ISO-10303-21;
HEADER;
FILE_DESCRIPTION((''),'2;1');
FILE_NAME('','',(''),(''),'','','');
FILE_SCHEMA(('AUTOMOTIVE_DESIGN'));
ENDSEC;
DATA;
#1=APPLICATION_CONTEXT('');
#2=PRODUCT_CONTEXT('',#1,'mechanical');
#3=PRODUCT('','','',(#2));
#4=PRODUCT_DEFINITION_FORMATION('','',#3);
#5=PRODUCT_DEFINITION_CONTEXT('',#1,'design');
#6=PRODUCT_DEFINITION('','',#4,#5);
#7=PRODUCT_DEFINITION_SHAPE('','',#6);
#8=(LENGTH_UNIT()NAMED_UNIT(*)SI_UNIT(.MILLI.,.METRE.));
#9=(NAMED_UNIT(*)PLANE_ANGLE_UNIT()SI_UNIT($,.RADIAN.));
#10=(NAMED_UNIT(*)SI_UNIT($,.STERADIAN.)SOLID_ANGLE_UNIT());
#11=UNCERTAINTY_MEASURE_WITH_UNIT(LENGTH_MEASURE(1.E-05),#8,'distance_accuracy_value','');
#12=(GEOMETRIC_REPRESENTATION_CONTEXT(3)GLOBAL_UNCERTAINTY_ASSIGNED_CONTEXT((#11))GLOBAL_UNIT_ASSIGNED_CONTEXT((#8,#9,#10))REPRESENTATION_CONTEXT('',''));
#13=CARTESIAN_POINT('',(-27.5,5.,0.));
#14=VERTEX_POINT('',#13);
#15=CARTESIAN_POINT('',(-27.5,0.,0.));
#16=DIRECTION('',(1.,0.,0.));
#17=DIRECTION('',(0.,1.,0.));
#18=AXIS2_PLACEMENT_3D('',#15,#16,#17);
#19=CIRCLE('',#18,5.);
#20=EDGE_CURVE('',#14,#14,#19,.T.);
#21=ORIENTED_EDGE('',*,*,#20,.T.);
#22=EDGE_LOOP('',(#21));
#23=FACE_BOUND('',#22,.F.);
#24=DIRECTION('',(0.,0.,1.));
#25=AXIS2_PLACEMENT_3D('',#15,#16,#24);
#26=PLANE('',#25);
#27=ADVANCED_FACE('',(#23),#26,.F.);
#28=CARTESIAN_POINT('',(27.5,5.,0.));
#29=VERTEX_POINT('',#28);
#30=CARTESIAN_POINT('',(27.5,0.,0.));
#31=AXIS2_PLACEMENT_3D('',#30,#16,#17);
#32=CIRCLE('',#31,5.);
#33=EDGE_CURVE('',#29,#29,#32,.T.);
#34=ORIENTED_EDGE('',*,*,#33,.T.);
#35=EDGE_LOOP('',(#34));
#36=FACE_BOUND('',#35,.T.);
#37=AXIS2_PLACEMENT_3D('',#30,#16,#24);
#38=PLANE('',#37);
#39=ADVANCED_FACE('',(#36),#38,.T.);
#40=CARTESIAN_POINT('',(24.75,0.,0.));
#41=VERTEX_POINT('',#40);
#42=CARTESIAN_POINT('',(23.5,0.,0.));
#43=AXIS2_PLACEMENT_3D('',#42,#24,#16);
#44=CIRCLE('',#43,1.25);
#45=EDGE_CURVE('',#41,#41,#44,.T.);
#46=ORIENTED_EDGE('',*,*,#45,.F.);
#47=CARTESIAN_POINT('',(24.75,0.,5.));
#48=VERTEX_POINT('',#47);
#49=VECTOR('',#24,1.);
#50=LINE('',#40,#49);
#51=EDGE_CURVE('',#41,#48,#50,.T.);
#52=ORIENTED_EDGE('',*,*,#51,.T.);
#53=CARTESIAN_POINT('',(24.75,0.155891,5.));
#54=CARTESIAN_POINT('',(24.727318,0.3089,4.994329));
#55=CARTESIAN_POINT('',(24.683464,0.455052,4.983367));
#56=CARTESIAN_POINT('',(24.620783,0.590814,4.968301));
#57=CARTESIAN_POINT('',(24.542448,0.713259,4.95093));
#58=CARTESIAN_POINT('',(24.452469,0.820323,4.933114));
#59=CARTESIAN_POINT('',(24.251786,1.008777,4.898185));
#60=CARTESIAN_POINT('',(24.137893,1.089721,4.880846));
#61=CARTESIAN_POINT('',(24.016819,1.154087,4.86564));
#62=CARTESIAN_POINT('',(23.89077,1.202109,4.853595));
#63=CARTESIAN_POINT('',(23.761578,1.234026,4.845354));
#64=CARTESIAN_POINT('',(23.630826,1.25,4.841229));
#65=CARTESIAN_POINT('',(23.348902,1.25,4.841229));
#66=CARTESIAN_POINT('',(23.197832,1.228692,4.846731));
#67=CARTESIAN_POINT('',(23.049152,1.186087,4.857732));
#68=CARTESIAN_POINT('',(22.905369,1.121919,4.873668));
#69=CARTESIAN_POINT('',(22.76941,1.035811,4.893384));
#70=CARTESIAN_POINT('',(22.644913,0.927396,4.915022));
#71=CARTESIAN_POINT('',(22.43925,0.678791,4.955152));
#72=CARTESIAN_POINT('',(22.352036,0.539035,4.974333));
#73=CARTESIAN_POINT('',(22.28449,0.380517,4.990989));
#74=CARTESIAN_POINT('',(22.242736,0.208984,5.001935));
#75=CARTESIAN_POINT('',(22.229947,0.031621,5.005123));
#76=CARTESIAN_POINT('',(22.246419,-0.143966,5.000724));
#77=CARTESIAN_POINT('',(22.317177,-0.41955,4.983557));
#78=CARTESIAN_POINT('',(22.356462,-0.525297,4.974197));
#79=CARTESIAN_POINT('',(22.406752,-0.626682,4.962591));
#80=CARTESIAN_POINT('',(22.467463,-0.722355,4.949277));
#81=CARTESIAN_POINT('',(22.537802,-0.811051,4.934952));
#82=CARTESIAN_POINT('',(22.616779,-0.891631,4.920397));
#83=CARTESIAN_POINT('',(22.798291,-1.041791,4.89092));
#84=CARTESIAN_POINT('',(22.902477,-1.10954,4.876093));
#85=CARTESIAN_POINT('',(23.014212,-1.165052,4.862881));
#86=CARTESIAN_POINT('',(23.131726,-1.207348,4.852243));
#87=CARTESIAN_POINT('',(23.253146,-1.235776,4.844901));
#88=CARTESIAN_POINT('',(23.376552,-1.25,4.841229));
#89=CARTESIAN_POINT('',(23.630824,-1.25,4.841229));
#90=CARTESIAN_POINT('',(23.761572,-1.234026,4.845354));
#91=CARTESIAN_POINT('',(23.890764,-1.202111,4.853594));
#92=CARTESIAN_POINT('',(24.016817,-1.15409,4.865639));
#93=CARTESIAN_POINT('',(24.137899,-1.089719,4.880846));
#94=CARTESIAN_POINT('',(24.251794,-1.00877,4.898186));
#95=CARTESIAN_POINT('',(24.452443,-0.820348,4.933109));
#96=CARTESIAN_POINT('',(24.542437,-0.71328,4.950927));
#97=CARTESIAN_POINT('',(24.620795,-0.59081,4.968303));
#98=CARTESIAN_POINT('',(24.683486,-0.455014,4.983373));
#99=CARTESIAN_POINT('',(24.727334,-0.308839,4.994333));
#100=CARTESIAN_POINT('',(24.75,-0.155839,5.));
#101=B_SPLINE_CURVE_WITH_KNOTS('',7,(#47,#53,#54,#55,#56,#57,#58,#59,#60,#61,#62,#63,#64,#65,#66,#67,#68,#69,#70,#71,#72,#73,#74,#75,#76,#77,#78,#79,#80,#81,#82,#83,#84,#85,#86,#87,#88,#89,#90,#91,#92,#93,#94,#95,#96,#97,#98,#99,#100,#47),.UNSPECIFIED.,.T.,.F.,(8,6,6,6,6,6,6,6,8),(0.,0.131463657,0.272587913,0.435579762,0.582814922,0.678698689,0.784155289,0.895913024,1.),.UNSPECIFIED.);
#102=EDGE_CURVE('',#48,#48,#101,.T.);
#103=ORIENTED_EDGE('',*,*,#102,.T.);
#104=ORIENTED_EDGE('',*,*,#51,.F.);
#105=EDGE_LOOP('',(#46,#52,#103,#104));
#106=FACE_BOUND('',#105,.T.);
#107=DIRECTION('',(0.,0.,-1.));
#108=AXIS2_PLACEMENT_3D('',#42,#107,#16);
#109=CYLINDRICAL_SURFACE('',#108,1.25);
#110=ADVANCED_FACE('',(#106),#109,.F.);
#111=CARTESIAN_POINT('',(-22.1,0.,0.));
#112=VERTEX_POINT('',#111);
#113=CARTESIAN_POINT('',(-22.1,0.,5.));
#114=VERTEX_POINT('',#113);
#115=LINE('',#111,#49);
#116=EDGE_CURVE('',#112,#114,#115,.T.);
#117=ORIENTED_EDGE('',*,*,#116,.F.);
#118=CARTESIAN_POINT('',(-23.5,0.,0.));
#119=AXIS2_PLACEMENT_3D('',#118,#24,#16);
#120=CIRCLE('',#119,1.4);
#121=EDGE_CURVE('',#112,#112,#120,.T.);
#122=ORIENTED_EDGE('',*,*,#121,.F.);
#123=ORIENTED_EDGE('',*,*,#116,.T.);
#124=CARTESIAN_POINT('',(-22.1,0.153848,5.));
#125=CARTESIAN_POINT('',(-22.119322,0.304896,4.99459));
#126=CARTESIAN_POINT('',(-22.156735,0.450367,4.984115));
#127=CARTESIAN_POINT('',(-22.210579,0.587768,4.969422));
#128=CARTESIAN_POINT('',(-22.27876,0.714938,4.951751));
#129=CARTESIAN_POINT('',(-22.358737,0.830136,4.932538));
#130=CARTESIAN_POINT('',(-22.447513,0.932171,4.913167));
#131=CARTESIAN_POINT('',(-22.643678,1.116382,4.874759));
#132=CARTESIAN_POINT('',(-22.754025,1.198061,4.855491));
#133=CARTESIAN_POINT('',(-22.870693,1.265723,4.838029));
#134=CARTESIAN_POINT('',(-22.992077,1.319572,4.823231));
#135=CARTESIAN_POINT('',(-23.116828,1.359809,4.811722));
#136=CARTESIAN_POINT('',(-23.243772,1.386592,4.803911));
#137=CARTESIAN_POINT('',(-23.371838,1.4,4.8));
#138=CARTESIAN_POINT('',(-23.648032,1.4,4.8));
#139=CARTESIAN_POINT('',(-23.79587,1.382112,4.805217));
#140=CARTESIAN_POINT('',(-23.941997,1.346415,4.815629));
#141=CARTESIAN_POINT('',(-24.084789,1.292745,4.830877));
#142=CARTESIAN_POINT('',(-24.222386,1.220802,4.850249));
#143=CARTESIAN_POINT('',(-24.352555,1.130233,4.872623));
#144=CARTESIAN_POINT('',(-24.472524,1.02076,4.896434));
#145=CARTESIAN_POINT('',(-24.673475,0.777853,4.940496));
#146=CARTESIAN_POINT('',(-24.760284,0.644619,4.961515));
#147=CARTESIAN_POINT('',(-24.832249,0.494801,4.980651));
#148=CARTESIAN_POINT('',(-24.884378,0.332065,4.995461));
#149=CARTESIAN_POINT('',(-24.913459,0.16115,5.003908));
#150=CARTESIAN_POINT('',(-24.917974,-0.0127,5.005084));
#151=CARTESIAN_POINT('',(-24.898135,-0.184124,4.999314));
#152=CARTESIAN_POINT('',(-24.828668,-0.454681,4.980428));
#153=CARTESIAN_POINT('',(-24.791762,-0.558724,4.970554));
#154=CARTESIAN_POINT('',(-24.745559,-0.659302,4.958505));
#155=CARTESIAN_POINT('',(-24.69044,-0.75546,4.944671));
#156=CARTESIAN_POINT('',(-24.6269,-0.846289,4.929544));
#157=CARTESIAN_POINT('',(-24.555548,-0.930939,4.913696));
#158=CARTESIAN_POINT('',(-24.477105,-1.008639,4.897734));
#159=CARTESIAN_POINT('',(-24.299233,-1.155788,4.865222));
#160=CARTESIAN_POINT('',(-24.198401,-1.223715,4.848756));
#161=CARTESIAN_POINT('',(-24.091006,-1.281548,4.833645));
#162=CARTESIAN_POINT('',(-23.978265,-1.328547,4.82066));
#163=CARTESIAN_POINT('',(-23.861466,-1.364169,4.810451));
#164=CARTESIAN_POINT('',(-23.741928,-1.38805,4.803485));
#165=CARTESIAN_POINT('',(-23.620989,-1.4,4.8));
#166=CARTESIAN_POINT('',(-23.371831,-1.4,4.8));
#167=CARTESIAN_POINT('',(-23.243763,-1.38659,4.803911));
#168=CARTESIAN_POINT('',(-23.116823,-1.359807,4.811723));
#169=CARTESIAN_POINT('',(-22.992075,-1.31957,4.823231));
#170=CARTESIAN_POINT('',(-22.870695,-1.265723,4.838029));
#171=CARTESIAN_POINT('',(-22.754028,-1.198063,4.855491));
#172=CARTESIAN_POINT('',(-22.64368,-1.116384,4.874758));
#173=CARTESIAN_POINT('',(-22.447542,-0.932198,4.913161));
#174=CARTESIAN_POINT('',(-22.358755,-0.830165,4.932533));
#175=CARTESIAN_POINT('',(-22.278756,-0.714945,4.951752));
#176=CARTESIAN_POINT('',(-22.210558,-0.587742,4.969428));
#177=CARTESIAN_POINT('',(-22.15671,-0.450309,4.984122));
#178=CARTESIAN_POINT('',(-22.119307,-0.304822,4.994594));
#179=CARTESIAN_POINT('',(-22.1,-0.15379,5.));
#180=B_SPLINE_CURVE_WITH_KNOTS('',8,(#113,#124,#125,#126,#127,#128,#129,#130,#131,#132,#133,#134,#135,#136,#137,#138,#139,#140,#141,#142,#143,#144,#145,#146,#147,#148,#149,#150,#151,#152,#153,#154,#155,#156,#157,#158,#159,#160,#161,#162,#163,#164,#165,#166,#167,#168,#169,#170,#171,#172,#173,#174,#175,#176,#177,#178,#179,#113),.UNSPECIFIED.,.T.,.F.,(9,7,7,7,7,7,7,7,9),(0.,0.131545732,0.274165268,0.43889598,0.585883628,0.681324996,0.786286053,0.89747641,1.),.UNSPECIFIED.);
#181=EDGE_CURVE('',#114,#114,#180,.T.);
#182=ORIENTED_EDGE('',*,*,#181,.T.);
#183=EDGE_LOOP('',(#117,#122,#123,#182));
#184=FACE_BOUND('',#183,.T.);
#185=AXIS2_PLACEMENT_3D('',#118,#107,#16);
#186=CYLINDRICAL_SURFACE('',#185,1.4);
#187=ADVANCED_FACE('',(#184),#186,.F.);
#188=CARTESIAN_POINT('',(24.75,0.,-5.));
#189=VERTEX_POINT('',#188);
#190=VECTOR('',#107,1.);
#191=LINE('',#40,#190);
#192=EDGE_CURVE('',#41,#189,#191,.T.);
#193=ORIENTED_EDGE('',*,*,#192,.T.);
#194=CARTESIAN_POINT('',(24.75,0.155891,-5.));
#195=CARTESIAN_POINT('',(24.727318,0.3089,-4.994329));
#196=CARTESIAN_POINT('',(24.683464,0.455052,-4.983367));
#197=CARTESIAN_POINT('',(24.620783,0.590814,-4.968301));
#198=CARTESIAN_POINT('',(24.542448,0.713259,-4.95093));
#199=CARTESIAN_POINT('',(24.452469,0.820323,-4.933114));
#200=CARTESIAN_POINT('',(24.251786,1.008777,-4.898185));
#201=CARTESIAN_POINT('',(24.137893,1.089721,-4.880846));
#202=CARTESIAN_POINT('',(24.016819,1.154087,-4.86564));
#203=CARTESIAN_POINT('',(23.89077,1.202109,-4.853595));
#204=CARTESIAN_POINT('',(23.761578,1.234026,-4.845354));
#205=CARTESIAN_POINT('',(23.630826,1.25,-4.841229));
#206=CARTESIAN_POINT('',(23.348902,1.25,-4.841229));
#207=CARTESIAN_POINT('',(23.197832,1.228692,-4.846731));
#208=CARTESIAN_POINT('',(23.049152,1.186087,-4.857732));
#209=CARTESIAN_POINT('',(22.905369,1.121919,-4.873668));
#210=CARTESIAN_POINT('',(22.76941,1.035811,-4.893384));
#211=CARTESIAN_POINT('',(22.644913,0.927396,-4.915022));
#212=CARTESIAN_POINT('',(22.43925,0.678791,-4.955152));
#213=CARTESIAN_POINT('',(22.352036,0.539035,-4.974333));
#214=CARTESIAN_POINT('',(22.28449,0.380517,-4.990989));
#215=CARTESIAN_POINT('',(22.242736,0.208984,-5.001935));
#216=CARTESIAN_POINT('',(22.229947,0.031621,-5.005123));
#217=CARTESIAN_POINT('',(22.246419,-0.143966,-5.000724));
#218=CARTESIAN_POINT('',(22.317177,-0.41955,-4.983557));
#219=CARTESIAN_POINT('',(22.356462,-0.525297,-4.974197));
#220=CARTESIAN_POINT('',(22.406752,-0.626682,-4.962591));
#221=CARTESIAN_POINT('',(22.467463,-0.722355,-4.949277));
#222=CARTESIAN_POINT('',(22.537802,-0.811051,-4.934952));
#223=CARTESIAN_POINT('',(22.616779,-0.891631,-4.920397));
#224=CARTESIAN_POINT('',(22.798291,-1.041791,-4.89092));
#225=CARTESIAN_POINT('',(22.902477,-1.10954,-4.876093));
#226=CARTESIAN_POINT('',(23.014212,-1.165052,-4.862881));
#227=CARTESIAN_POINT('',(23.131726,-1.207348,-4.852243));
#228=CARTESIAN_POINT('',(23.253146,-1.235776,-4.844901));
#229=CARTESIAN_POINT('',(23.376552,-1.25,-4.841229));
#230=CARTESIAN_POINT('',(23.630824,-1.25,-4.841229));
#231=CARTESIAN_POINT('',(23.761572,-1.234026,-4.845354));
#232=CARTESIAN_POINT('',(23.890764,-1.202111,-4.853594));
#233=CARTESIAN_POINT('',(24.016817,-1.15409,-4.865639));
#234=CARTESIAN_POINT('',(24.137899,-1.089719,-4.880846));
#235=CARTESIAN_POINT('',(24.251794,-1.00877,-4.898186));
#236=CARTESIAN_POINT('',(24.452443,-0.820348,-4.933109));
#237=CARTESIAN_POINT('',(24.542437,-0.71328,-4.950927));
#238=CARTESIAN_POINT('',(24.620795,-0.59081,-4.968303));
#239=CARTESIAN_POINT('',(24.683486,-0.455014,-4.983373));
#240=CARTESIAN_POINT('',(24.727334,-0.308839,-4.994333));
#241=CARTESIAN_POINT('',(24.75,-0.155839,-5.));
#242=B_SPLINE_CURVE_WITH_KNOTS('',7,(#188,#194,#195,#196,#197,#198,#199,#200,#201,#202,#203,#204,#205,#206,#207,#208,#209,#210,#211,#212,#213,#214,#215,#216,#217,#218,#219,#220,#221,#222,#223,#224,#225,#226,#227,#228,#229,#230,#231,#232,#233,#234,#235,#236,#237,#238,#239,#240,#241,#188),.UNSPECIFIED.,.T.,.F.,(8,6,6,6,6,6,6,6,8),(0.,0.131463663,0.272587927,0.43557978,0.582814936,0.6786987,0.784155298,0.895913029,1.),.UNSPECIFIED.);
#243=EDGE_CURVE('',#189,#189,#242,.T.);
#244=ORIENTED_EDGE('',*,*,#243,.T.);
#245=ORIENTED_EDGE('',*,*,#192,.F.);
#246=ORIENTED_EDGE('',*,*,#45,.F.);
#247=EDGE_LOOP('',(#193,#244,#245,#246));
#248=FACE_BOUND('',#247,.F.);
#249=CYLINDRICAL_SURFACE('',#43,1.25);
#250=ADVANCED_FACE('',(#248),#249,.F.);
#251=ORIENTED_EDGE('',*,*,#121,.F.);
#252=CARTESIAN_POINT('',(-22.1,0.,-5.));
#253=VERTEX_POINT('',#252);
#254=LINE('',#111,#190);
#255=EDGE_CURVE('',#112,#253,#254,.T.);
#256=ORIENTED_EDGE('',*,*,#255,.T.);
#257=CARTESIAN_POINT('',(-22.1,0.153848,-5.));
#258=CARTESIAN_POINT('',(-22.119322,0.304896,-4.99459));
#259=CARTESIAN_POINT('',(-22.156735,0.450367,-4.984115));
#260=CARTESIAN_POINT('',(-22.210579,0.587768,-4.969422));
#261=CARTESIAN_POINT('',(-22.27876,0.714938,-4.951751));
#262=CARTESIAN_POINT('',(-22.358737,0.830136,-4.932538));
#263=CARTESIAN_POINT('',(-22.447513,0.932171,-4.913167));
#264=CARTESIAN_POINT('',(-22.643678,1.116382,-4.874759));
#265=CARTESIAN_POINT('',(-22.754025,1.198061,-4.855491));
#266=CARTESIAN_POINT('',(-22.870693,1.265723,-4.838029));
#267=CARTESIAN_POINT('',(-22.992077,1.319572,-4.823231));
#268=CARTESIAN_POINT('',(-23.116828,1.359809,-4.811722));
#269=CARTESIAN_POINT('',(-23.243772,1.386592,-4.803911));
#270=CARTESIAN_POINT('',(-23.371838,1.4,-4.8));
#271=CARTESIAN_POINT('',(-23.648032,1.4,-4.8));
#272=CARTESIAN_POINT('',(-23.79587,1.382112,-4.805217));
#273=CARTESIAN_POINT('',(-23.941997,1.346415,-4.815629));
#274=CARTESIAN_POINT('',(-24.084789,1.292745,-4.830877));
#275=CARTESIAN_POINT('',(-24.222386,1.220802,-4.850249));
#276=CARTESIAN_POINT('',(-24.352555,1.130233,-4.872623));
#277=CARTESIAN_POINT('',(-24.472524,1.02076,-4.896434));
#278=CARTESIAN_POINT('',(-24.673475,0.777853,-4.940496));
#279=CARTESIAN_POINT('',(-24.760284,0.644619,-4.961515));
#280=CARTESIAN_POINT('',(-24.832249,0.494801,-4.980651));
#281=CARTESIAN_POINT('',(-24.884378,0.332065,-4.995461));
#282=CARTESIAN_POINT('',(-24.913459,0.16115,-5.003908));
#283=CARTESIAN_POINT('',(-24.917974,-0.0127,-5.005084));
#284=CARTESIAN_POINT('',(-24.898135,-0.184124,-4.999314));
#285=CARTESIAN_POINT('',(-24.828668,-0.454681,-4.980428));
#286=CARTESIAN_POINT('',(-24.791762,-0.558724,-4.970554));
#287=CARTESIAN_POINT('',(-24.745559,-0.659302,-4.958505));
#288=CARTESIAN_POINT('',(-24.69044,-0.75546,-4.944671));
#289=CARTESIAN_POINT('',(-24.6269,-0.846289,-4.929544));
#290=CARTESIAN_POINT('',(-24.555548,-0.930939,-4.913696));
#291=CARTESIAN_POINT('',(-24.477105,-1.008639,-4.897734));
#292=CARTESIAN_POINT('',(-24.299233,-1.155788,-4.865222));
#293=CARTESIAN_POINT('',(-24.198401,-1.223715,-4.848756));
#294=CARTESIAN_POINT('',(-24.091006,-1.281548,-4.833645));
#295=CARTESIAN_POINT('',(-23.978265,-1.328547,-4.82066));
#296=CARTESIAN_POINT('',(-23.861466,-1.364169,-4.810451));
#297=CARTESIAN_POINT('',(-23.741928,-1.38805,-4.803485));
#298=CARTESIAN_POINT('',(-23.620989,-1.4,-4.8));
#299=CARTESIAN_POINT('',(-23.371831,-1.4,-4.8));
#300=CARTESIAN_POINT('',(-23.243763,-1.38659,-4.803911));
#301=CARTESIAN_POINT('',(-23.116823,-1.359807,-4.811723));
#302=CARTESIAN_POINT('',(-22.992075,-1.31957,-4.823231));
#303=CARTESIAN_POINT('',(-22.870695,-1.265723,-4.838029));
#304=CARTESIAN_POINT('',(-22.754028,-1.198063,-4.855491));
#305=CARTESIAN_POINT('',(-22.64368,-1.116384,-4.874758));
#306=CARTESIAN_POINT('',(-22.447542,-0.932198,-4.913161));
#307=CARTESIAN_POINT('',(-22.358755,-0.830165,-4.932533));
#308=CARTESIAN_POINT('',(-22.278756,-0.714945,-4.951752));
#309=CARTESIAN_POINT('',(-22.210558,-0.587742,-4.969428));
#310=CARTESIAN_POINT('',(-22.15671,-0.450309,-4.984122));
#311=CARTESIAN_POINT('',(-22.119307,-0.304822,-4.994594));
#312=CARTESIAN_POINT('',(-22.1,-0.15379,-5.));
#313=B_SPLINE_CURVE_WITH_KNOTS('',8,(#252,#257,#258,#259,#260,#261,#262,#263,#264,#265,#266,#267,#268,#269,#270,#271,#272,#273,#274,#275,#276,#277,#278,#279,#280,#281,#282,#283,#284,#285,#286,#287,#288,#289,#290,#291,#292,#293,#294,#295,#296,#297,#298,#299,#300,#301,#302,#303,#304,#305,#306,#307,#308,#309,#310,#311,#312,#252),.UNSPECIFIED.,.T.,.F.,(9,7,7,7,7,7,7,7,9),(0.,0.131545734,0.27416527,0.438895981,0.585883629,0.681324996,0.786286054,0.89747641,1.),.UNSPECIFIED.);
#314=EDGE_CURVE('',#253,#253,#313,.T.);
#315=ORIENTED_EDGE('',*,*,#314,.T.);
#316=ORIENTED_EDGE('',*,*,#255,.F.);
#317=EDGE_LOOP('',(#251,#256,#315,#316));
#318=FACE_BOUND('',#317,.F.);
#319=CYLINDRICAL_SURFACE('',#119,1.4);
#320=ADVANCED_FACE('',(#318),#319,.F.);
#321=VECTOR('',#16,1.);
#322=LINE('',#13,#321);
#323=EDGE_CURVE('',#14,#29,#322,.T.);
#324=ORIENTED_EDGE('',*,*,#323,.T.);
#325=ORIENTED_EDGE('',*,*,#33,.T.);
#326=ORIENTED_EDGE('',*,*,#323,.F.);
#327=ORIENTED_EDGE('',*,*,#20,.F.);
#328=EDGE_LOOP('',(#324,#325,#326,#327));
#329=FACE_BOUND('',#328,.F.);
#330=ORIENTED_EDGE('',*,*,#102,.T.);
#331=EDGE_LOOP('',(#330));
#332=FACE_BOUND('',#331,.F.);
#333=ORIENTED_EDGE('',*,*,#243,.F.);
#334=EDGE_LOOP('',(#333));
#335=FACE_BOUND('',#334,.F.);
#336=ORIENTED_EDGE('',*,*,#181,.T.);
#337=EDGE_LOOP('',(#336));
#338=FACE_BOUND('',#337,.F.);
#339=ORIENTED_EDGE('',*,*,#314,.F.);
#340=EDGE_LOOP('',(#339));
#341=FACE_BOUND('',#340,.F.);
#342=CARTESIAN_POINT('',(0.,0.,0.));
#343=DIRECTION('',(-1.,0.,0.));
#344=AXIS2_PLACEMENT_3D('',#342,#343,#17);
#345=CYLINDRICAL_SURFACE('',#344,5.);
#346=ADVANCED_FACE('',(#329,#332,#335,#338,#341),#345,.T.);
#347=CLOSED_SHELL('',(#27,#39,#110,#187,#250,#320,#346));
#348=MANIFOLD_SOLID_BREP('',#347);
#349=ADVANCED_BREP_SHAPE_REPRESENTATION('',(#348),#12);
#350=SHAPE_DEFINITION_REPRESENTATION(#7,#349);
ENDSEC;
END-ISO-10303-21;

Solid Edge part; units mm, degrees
sketch "Sketch1" plane through (0, 0, 0) normal (1, 0, 0) x (0, 1, 0)
  circle A0 centre (0, 0) radius 5
extrude "Protrusion1" add sketch "Sketch1" along normal mid plane 55
cosmetic_thread "Thread_1" size "Tr 10 x 2" thread depth 15
cosmetic_thread "Thread_2" size "Tr 10 x 2" thread depth 18
sketch "Sketch2" plane through (0, 0, 0) normal (0, 0, 1) x (1, 0, 0)
  circle A0 centre (-23.5, 0) radius 1.4
  circle A1 centre (23.5, 0) radius 1.25
extrude "ExtrudedCutout_1" cut sketch "Sketch2" along normal mid plane 31.5098
